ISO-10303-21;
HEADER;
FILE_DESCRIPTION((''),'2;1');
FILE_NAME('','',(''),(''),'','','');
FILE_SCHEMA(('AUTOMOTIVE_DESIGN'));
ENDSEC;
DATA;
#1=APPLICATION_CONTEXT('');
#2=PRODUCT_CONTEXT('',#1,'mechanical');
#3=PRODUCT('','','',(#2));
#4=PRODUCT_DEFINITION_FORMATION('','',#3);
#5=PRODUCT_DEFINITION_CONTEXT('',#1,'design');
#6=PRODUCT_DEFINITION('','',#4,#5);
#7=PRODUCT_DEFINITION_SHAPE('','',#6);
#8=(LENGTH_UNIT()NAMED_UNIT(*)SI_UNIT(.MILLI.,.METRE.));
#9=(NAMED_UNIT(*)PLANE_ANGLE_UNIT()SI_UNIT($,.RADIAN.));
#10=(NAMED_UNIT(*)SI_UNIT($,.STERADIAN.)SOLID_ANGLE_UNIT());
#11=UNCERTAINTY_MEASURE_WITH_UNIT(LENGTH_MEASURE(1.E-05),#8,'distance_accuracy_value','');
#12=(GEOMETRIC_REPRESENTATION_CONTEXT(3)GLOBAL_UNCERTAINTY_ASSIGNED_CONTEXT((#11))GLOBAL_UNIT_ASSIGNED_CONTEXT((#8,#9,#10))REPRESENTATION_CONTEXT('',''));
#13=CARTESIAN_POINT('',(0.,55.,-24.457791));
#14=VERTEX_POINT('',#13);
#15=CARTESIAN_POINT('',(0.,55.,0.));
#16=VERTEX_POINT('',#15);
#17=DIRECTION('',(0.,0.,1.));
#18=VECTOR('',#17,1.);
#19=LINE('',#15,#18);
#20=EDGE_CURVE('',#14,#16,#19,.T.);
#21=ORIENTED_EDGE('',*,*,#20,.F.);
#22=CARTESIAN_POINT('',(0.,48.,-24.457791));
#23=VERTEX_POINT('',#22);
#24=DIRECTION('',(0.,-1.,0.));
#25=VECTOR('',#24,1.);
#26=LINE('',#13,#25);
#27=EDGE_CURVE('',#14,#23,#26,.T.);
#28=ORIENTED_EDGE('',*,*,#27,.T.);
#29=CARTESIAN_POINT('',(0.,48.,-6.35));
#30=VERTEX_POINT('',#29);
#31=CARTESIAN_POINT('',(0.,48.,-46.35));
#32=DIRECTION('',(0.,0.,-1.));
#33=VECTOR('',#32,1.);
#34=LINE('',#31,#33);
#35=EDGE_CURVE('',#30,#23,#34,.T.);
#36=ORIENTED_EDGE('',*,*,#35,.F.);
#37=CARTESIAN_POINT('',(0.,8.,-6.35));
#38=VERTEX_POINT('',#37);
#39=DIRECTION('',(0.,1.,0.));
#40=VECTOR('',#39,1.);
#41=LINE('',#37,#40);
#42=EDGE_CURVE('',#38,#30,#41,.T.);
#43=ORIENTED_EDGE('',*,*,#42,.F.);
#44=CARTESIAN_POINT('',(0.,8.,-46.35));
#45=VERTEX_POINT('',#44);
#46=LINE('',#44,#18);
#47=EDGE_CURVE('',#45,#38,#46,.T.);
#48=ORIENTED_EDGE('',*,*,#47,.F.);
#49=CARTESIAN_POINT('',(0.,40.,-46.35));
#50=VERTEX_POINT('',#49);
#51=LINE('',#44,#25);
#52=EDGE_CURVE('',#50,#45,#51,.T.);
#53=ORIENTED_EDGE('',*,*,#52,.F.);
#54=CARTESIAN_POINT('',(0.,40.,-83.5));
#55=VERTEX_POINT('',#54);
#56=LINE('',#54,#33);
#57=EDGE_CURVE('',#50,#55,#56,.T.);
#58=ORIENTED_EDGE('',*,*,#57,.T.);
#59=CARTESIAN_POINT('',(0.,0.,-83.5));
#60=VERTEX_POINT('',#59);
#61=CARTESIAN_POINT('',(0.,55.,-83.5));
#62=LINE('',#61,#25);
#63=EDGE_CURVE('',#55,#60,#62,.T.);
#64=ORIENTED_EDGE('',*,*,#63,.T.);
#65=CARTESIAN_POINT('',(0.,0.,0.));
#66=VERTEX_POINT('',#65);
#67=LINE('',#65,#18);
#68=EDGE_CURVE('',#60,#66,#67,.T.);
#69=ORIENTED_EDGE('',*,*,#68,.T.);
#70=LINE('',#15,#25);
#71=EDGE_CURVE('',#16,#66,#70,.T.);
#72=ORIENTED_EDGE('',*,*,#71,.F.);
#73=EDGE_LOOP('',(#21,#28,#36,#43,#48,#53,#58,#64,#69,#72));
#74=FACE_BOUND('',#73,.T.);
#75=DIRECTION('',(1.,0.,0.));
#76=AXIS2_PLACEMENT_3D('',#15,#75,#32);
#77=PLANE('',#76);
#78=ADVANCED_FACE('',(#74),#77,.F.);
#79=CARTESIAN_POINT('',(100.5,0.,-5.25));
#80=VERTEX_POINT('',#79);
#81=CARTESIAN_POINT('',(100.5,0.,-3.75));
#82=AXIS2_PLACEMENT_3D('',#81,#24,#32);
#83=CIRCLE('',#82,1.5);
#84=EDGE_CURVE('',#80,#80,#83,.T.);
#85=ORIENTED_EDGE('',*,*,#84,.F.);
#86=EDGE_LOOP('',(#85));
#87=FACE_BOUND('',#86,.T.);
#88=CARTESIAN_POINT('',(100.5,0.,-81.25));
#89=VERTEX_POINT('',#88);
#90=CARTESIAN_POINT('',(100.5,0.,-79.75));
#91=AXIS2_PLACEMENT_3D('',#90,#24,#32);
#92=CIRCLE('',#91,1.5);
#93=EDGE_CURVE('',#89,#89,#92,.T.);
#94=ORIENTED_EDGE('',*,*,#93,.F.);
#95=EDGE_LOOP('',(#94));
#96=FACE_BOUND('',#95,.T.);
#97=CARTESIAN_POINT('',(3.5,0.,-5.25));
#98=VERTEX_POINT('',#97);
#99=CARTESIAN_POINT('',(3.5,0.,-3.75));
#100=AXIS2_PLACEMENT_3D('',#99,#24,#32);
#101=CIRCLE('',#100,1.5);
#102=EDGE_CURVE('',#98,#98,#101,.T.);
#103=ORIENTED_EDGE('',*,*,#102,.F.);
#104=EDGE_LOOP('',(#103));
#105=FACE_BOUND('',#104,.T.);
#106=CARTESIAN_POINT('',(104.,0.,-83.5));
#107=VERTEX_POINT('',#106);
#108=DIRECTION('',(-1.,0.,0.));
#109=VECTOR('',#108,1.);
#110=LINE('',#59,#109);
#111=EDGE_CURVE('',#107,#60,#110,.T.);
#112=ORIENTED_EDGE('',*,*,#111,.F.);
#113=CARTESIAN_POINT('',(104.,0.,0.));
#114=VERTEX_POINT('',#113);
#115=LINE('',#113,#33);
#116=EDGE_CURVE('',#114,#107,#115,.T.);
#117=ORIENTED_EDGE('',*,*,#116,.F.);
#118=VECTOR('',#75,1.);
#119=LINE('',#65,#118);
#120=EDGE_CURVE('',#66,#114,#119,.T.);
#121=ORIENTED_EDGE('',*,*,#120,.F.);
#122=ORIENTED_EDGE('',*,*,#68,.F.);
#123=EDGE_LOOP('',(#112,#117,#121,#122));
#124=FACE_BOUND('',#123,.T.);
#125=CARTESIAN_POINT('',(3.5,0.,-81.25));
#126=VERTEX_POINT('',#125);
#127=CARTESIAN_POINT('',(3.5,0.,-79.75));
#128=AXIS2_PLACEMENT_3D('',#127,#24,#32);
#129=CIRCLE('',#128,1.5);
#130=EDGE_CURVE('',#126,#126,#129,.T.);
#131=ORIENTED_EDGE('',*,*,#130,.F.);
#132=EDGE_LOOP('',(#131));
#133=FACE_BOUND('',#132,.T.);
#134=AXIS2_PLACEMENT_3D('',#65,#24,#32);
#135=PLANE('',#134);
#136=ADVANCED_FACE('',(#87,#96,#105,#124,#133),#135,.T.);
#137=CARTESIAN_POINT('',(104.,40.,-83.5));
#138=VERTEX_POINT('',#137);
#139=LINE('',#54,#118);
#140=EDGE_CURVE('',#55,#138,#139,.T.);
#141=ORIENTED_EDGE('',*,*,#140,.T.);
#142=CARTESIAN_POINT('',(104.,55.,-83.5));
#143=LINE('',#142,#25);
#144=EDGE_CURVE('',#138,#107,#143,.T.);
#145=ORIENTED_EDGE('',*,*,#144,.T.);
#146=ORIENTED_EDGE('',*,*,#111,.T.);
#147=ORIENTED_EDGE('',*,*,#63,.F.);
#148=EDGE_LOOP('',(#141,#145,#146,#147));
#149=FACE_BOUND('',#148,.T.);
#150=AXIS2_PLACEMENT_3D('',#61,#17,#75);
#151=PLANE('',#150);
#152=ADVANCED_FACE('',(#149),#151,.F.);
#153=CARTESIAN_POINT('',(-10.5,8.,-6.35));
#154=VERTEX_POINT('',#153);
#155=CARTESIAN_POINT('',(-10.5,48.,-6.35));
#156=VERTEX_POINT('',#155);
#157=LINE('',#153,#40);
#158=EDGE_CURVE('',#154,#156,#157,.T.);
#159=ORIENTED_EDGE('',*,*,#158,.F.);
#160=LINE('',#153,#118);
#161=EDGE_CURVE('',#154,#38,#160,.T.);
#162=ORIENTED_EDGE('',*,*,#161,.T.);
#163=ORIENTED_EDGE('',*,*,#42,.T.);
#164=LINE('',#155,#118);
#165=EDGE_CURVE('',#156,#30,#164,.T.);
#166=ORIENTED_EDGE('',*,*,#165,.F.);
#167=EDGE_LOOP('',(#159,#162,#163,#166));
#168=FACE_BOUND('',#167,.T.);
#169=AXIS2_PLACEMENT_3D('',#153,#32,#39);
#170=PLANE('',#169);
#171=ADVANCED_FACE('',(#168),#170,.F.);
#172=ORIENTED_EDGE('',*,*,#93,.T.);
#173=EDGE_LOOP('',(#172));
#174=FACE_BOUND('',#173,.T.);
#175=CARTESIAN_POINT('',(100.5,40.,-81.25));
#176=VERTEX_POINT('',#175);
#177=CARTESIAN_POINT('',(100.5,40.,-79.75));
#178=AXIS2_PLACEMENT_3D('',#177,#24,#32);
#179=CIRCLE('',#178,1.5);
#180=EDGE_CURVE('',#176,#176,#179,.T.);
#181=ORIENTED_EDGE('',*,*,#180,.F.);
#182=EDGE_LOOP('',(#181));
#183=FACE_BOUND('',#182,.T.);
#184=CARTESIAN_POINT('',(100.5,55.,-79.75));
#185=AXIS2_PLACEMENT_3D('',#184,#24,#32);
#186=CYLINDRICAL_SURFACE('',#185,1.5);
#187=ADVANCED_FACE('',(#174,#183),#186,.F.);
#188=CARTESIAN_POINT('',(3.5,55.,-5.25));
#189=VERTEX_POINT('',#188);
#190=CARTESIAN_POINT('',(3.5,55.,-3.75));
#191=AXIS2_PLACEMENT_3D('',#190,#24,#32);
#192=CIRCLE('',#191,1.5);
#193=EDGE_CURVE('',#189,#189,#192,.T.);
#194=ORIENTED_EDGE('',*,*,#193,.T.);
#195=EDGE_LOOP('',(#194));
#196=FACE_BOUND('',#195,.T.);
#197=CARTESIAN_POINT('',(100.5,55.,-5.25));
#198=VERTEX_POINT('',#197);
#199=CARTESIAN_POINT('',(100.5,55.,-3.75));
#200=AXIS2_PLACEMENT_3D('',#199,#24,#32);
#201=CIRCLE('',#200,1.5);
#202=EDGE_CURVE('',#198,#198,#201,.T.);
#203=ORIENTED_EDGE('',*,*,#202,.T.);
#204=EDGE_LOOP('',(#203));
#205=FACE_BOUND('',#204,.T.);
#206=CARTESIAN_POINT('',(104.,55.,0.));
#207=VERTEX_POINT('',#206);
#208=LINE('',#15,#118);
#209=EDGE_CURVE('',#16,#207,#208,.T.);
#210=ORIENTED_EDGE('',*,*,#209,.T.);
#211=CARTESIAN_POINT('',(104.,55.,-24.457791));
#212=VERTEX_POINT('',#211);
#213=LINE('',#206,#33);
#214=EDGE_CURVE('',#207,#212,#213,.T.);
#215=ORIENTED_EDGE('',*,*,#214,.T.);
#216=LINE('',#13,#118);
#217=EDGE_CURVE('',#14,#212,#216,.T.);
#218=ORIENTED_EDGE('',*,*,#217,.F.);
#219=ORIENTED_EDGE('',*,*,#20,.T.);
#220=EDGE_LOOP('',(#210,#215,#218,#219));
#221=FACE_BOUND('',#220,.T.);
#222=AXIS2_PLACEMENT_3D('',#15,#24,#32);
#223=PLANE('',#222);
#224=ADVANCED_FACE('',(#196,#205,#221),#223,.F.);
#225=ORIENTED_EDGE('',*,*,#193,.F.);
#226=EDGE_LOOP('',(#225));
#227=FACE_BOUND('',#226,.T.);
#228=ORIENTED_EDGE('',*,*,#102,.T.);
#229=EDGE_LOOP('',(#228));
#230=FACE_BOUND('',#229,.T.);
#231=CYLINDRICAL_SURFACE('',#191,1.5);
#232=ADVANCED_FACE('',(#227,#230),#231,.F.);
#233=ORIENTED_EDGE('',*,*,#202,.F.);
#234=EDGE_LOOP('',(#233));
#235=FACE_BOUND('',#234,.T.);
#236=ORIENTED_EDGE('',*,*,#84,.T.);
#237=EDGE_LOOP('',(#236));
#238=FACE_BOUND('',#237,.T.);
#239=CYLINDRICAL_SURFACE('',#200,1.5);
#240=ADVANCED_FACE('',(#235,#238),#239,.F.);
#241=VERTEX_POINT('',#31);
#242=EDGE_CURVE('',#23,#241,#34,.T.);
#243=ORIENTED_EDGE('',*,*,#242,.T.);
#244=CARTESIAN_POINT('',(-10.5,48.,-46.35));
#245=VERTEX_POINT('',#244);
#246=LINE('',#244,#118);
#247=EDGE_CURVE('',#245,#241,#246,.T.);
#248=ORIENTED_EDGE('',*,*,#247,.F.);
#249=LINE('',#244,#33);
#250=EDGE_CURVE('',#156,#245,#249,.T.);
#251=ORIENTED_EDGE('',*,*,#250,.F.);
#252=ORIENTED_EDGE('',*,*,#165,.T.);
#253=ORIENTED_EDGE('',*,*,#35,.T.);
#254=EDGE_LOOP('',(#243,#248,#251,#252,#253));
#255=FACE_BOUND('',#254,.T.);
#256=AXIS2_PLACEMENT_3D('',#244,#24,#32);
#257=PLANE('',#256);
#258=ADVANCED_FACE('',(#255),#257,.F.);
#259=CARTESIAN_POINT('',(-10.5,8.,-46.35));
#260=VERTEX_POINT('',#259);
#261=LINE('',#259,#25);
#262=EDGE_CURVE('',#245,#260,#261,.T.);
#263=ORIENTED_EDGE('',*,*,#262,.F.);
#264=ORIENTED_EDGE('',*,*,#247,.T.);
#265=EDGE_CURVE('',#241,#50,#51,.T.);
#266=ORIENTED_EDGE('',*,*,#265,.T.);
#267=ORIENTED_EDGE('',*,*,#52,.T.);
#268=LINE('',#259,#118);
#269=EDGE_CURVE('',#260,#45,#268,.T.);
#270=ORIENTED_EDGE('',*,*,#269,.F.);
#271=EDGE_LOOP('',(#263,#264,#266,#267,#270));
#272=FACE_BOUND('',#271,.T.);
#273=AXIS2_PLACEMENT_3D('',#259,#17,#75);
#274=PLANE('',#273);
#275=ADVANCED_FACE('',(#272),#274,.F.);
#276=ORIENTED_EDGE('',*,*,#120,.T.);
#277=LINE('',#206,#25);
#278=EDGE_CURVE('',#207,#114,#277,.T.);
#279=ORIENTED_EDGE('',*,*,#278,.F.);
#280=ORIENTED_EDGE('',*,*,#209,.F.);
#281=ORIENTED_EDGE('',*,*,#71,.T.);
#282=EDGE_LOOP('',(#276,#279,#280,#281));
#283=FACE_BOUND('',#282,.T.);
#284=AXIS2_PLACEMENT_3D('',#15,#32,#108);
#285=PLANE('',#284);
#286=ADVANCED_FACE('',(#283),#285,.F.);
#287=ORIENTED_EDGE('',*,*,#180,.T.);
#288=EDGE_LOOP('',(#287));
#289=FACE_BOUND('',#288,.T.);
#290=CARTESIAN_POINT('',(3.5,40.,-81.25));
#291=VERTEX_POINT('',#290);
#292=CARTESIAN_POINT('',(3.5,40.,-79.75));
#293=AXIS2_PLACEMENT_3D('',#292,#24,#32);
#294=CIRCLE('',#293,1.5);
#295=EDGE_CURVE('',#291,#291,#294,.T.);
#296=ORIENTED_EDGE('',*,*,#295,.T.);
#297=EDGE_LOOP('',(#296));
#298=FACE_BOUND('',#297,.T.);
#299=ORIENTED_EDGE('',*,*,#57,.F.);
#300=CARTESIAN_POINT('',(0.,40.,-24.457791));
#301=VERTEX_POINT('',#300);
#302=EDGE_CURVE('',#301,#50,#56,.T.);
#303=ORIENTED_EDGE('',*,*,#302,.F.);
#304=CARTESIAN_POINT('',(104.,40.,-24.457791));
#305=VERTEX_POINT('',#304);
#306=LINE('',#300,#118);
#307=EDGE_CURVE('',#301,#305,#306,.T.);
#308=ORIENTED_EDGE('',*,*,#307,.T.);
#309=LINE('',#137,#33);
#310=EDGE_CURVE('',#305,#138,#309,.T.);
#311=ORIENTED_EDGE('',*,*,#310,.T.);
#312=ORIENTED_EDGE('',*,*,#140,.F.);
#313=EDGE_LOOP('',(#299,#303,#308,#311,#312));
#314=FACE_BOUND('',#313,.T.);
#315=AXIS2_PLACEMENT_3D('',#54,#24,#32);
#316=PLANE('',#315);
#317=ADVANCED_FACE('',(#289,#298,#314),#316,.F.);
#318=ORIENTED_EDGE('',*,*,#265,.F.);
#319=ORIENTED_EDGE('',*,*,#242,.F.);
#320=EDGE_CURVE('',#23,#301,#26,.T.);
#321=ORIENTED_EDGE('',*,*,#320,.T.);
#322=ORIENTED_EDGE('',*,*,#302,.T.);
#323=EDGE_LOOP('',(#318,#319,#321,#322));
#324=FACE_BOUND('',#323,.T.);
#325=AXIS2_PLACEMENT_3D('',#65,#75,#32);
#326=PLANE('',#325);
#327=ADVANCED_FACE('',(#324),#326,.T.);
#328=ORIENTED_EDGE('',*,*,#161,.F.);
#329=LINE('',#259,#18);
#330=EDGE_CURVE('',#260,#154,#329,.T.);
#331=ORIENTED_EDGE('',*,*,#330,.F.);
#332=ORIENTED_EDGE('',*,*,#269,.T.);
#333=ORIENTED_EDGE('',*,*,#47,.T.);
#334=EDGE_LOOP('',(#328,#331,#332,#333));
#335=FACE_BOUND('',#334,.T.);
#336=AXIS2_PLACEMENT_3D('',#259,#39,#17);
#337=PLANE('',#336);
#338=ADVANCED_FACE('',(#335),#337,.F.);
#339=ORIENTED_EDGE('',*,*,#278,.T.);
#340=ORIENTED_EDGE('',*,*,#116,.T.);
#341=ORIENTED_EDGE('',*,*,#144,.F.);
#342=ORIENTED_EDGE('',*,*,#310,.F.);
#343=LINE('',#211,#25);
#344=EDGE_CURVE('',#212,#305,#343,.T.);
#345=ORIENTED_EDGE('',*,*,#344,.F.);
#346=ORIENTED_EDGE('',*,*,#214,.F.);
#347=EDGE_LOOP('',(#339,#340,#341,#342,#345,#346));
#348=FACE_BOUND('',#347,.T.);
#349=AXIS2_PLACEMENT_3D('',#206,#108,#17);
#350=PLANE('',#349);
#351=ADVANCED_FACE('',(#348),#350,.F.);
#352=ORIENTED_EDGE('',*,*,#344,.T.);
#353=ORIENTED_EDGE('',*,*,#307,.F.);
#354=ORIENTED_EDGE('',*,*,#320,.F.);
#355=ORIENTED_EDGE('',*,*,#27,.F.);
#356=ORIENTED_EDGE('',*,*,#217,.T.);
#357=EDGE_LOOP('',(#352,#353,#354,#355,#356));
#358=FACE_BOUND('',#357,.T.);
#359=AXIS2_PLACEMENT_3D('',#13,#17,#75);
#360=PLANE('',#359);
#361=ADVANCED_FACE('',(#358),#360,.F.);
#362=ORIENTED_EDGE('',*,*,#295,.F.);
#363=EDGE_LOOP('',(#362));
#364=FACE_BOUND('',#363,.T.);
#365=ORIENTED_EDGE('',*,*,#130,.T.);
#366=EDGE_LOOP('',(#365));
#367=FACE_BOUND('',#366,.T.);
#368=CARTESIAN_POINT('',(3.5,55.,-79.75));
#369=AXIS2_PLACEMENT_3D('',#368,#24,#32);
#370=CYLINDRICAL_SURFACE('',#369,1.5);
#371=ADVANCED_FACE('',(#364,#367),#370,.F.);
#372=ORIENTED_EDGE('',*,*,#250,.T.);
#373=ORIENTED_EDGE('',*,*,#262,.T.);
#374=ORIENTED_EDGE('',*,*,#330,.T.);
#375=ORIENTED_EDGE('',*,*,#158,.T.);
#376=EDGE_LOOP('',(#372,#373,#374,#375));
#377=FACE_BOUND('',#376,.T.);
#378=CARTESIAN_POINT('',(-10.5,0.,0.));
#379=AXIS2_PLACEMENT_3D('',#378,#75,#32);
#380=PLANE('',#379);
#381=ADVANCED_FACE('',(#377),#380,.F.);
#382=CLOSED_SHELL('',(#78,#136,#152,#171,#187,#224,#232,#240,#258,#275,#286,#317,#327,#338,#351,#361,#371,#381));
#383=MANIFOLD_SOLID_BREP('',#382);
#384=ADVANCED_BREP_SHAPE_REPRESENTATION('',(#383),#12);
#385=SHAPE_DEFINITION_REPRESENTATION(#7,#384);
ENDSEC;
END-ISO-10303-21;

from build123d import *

# Parameters (mm, degrees)
SKETCH1_W           = 104
SKETCH1_H           = 83.5
BOSS_EXTRUDE1_DEPTH = 55
SKETCH2_W           = 59.042208754
SKETCH2_H           = 15
CUT_EXTRUDE1_DEPTH  = 145.267979815
SKETCH3_R           = 1.5
CUT_EXTRUDE2_DEPTH  = 145.267979815
SKETCH4_W           = 40
SKETCH4_H           = 40
BOSS_EXTRUDE2_DEPTH = 10.5


with BuildPart() as part:
    # Sketch1 → Boss-Extrude1 (new body)
    with BuildSketch(Plane(origin=(0, 0, 0), x_dir=(1, 0, 0), z_dir=(0, 1, 0))):
        with Locations((52, 41.75)):
            Rectangle(SKETCH1_W, SKETCH1_H)
    extrude(amount=BOSS_EXTRUDE1_DEPTH)

    # Sketch2 → Cut-Extrude1 (cut, through all)
    with BuildSketch(Plane(origin=(104, 0, 0), x_dir=(0, 0, -1), z_dir=(1, 0, 0))):
        with Locations((53.978895623, 47.5)):
            Rectangle(SKETCH2_W, SKETCH2_H)
    extrude(amount=-CUT_EXTRUDE1_DEPTH, mode=Mode.SUBTRACT)

    # Sketch3 → Cut-Extrude2 (cut, through all)
    with BuildSketch(Plane.XZ):
        with Locations(Location((3.5, -79.75, 0), (0, 0, 270))):
            Circle(SKETCH3_R)
        with Locations(Location((3.5, -3.75, 0), (0, 0, 270))):
            Circle(SKETCH3_R)
        with Locations(Location((100.5, -3.75, 0), (0, 0, 270))):
            Circle(SKETCH3_R)
        with Locations(Location((100.5, -79.75, 0), (0, 0, 270))):
            Circle(SKETCH3_R)
    extrude(amount=-CUT_EXTRUDE2_DEPTH, mode=Mode.SUBTRACT)

    # Sketch4 → Boss-Extrude2 (add)
    with BuildSketch(Plane.ZY):
        with Locations((-26.35, 28)):
            Rectangle(SKETCH4_W, SKETCH4_H)
    extrude(amount=BOSS_EXTRUDE2_DEPTH)


solid = part.part
